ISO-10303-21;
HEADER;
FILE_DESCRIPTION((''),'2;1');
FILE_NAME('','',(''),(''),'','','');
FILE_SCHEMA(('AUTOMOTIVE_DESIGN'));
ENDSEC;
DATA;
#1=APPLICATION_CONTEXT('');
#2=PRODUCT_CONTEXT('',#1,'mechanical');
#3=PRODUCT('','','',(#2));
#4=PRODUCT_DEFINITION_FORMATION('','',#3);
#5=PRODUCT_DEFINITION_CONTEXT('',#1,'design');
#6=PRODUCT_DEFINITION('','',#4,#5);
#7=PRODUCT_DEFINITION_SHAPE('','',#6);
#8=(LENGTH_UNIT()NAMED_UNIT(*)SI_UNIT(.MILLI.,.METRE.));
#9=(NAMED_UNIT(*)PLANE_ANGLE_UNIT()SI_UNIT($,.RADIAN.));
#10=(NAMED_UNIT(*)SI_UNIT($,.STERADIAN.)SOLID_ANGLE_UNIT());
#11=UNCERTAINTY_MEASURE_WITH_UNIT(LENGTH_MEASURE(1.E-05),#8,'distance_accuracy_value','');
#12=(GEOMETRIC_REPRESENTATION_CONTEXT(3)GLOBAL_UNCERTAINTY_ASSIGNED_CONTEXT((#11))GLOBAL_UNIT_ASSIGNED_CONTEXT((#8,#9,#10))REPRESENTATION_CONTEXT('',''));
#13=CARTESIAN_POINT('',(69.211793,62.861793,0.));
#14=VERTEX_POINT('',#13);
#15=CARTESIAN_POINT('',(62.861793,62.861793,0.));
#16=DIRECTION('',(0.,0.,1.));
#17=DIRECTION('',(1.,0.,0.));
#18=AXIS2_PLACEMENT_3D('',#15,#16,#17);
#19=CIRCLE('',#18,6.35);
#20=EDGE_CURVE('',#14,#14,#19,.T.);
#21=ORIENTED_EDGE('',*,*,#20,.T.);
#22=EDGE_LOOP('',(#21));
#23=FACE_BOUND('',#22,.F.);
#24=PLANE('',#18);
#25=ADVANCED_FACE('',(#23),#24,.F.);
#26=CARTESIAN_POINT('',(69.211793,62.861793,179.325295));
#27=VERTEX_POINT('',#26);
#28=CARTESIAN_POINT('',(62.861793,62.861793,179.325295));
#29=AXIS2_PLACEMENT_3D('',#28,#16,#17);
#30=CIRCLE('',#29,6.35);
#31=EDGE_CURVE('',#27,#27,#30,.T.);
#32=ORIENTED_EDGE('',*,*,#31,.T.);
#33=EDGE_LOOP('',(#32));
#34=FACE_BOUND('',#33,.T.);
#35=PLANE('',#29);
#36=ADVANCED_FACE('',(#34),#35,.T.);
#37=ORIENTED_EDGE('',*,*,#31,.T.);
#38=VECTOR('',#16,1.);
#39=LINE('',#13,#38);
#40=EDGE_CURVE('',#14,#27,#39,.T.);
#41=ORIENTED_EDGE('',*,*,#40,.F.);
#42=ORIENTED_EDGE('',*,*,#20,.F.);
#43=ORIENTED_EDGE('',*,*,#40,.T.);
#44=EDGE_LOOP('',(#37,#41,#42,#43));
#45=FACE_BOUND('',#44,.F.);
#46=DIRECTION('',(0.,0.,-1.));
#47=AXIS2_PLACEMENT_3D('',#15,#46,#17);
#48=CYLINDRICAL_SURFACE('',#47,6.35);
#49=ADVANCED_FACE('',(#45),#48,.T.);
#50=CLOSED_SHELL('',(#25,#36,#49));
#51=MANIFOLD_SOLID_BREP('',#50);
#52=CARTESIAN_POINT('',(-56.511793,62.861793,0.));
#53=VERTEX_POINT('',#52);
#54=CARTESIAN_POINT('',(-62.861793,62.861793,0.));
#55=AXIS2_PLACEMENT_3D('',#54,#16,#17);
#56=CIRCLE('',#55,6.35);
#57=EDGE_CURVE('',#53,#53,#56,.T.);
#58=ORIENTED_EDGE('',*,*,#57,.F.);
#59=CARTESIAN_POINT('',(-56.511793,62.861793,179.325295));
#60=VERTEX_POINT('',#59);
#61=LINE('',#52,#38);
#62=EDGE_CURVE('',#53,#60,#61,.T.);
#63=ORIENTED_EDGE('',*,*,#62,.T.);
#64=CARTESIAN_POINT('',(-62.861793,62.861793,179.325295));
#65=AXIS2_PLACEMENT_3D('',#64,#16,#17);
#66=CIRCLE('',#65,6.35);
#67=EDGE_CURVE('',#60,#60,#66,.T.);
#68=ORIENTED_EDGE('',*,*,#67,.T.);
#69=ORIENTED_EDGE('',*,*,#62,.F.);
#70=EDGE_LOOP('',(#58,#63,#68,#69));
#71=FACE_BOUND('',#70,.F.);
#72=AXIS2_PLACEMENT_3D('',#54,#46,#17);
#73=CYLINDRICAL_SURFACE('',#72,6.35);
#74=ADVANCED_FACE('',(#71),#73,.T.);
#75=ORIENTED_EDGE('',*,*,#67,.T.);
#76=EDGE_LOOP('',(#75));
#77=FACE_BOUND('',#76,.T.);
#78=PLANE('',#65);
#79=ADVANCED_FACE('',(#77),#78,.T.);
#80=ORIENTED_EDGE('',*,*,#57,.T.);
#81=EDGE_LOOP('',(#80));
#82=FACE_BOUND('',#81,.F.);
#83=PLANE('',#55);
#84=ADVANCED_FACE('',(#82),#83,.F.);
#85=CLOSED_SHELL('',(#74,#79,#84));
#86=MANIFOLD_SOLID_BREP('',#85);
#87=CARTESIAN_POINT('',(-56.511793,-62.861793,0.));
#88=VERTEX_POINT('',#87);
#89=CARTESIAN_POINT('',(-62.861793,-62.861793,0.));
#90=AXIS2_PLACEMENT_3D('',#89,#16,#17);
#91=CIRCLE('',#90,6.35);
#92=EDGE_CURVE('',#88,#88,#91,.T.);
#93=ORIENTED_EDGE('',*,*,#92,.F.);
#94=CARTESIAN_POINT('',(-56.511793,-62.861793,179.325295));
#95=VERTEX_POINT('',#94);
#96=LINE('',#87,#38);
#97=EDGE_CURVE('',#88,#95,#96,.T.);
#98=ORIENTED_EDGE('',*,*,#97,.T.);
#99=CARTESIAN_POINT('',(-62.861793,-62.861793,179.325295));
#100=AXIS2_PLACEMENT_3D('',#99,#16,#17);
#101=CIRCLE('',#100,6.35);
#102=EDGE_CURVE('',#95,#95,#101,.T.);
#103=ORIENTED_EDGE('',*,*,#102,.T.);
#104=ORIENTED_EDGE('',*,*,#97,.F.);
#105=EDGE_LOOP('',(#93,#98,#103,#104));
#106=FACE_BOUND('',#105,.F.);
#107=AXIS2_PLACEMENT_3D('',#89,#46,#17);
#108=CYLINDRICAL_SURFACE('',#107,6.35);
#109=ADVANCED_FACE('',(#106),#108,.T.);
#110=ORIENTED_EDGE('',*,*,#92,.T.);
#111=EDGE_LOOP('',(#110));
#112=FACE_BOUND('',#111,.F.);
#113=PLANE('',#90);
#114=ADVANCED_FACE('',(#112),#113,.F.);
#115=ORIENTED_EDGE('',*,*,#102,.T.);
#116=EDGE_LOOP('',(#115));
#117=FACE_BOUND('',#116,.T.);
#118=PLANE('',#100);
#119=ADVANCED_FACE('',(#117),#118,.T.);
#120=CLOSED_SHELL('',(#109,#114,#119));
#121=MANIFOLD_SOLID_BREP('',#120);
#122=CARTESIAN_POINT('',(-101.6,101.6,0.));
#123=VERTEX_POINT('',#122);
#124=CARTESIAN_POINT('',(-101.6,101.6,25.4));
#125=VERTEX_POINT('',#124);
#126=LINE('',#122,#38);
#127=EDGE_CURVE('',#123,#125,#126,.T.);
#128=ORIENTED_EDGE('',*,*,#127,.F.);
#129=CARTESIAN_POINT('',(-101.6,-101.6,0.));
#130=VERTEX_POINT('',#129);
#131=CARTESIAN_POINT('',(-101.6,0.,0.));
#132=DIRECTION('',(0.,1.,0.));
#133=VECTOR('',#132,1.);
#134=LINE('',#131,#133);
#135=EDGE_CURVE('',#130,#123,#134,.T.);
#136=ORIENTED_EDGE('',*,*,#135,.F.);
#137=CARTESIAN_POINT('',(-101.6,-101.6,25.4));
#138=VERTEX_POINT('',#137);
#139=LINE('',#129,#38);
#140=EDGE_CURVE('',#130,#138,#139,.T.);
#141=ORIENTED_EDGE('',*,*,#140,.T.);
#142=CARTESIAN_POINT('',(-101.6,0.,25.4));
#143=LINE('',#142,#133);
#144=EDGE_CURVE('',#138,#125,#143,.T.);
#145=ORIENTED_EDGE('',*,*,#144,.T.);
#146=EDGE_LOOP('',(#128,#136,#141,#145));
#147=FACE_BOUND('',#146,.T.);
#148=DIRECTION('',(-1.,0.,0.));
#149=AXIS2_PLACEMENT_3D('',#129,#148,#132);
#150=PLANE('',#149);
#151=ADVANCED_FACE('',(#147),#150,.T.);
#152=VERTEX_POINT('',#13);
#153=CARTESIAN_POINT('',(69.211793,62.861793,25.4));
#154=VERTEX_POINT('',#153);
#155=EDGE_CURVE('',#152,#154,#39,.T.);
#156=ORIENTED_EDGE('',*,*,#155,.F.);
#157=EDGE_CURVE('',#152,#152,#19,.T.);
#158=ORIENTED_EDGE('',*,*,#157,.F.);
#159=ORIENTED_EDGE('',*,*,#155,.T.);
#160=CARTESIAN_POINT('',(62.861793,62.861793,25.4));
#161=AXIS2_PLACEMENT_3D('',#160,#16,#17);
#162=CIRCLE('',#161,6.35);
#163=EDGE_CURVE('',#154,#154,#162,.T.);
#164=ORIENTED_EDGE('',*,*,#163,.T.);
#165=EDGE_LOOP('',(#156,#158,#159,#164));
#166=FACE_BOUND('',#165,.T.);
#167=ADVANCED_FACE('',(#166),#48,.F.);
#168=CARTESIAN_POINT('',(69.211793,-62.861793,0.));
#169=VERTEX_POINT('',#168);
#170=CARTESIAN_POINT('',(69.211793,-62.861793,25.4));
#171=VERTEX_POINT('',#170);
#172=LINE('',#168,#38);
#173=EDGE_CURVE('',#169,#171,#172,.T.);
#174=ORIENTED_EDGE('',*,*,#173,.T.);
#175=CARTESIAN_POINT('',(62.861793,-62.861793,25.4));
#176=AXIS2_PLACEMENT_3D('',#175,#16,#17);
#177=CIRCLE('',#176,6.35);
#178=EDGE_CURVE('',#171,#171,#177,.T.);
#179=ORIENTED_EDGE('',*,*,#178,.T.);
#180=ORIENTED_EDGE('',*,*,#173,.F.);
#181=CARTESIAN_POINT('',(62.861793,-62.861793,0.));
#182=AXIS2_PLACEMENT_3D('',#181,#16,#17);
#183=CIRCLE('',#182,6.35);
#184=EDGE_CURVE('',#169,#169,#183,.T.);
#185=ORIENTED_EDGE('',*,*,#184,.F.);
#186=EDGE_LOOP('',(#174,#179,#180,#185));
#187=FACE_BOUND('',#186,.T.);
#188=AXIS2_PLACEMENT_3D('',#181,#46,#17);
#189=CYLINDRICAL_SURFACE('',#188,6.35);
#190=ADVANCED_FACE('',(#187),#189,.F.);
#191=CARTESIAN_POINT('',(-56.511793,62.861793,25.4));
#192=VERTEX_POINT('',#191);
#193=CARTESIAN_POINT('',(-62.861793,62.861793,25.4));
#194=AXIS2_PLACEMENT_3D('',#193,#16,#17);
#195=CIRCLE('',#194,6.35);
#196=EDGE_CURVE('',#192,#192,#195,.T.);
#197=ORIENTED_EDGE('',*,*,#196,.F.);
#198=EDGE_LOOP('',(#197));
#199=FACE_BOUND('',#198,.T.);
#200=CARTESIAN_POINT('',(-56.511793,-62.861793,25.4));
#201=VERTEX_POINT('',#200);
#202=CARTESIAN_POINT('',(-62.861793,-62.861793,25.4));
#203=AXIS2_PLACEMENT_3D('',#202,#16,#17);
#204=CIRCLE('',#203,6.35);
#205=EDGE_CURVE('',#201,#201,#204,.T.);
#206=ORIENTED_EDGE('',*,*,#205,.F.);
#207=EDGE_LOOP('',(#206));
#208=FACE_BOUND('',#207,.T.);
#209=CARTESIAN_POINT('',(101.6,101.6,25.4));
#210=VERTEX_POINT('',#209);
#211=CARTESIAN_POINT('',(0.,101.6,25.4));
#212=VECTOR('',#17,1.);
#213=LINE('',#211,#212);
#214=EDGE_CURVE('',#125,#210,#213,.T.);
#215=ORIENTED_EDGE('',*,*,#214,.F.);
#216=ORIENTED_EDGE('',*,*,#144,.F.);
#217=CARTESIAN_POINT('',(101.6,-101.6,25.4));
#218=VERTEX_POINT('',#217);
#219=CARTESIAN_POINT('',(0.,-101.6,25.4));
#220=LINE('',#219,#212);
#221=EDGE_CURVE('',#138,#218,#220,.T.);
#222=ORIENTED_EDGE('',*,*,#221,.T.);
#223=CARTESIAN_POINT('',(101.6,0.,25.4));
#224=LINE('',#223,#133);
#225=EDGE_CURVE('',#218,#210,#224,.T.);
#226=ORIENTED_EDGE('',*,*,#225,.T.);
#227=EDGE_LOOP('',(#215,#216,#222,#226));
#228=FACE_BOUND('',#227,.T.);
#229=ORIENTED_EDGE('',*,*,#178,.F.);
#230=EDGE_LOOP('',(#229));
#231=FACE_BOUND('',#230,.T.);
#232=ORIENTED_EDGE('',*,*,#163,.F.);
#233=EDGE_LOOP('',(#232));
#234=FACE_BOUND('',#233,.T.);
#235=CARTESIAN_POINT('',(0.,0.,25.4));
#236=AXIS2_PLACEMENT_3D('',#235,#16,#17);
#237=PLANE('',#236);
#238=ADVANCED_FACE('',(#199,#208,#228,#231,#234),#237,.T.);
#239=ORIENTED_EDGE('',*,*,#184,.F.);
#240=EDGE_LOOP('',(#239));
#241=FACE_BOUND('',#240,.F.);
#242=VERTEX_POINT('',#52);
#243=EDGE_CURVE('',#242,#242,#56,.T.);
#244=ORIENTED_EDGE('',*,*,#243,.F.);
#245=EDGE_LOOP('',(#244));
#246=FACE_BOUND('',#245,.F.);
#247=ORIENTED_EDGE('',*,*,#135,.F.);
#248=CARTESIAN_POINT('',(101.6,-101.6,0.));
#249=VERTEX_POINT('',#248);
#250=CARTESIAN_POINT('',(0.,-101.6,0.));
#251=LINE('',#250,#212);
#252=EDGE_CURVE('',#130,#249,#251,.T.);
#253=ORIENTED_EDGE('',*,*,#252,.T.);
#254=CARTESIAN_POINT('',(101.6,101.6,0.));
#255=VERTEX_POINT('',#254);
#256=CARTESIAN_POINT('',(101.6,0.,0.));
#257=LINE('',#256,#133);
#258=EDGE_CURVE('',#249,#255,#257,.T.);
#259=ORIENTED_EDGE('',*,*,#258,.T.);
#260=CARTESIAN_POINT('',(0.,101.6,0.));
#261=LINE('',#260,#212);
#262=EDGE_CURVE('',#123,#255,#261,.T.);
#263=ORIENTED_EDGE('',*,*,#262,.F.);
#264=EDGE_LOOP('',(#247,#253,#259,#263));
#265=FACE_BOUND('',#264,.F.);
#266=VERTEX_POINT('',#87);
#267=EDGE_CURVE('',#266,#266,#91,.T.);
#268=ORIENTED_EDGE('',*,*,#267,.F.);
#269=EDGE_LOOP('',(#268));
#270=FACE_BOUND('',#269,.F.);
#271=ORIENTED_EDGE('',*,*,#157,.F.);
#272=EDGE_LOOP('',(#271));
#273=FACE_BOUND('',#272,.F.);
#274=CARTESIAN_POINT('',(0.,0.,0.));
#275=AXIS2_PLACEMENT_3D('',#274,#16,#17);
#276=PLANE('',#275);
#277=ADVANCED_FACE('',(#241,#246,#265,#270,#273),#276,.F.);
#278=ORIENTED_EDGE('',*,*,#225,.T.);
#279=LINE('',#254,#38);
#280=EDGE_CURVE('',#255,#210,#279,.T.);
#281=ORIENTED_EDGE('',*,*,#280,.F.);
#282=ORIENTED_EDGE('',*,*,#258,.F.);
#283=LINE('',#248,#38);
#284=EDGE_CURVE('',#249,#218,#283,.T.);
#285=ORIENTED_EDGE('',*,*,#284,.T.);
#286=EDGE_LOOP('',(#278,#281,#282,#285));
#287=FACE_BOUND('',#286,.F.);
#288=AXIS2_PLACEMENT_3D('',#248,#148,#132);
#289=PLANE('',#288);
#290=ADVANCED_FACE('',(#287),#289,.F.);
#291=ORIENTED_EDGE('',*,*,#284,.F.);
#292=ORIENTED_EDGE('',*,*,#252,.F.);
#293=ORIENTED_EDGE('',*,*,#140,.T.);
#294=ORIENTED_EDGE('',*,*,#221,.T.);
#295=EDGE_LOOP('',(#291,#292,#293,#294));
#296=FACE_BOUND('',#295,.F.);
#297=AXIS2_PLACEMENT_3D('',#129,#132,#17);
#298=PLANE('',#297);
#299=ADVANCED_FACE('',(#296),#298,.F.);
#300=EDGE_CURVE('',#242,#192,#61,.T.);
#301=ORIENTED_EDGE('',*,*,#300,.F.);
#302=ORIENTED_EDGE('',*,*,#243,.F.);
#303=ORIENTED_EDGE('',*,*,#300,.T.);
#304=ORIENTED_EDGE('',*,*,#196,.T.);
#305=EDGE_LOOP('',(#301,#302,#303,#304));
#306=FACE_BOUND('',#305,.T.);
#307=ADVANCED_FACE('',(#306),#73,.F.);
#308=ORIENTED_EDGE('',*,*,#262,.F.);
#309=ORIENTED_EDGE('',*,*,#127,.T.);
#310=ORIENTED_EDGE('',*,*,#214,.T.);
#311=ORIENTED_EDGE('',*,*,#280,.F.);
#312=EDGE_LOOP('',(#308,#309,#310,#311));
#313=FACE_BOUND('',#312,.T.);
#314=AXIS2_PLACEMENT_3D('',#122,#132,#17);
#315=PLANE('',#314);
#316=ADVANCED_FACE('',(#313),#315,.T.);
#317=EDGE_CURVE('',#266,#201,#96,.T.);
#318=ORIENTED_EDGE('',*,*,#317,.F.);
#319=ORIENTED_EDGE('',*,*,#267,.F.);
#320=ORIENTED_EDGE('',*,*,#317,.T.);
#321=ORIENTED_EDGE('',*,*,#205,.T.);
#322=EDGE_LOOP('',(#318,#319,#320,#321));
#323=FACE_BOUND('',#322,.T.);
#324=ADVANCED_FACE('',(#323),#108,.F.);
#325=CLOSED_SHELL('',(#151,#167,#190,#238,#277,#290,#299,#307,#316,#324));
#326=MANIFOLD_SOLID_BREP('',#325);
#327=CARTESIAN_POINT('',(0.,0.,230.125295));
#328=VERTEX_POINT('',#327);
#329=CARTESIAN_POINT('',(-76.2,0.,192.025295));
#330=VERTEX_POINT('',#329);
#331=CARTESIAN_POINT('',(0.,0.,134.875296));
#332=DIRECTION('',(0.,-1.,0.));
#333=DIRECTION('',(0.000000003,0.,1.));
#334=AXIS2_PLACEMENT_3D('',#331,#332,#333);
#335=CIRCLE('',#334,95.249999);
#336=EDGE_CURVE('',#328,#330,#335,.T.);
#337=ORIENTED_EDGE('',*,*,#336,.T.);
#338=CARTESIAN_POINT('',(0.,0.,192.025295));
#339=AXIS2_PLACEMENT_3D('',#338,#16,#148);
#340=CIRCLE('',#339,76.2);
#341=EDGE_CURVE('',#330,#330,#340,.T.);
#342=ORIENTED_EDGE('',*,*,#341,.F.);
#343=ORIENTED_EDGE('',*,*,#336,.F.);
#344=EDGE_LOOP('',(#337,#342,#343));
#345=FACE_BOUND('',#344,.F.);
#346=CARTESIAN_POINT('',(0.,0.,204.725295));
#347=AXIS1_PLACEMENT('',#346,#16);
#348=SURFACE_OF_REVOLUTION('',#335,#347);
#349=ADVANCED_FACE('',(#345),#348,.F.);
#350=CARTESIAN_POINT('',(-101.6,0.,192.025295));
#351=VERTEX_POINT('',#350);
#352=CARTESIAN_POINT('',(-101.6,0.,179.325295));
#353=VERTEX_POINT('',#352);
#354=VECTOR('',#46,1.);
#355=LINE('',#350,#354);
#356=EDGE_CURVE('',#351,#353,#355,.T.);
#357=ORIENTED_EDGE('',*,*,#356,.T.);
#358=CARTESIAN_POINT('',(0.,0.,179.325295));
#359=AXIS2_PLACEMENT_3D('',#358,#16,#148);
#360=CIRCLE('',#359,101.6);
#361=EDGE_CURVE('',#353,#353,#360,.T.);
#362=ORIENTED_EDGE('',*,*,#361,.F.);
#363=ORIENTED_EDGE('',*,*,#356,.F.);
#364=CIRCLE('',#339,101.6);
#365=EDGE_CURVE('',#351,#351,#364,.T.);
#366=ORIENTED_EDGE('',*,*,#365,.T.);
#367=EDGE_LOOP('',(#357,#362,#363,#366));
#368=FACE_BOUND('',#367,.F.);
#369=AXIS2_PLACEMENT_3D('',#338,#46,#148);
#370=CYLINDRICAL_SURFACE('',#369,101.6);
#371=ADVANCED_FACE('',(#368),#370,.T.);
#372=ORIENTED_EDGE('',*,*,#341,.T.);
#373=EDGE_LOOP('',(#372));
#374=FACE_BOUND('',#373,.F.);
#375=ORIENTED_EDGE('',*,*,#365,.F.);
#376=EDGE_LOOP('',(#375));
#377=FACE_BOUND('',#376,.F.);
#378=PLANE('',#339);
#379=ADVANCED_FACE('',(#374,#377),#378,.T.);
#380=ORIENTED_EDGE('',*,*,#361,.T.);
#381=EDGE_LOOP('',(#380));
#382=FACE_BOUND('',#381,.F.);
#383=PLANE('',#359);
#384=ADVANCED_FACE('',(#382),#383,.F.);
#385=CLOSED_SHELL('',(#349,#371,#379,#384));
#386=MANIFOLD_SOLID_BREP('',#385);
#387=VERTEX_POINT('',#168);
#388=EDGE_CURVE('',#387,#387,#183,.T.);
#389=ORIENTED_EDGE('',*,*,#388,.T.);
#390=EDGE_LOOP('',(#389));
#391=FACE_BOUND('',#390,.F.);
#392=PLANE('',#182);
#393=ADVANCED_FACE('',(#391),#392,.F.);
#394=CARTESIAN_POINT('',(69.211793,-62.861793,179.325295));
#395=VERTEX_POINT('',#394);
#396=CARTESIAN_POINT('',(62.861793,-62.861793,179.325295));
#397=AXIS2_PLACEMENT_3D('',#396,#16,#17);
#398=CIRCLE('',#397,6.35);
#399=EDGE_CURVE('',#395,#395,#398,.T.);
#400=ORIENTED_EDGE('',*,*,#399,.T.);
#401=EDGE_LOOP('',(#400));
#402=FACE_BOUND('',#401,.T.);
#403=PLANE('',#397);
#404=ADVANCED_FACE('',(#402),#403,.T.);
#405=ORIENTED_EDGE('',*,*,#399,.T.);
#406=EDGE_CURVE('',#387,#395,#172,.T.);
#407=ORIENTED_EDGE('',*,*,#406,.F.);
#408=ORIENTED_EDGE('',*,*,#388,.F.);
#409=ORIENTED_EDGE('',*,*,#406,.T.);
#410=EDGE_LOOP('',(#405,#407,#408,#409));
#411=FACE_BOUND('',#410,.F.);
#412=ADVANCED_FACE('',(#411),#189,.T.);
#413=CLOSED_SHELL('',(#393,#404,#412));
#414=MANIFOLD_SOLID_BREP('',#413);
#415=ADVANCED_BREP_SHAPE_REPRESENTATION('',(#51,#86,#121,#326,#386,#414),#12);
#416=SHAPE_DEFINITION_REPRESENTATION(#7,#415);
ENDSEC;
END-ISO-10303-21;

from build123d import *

# Parameters (mm, degrees)
F0_W     = 203.2
F0_H     = 203.2
F0_R     = 6.35
F1_DEPTH = 25.4
F4_DEPTH = 179.325295


with BuildPart() as f1:
    # F0 (on Top) → F1 (new body)
    with BuildSketch(Plane.XY):
        Rectangle(F0_W, F0_H)
        with Locations((-62.861793, -62.861793)):
            Circle(F0_R, mode=Mode.SUBTRACT)
        with Locations((62.861793, -62.861793)):
            Circle(F0_R, mode=Mode.SUBTRACT)
        with Locations((-62.861793, 62.861793)):
            Circle(F0_R, mode=Mode.SUBTRACT)
        with Locations((62.861793, 62.861793)):
            Circle(F0_R, mode=Mode.SUBTRACT)
    extrude(amount=F1_DEPTH)


with BuildPart() as f3:
    # F2 (on Front) → F3 (revolve)
    with BuildSketch(Plane.XZ):
        with BuildLine():
            Line((-101.6, 179.325295), (0, 179.325295))
            Line((0, 179.325295), (0, 230.125295))
            ThreePointArc((0, 230.125295), (-42.597095, 220.069485), (-76.2, 192.025295))
            Line((-76.2, 192.025295), (-101.6, 192.025295))
            Line((-101.6, 192.025295), (-101.6, 179.325295))
        make_face()
    revolve(axis=Axis((0, 0, 204.725295), (0, 0, 1)))


with BuildPart() as f4:
    # F0 (on Top) → F4 (new body, through all)
    with BuildSketch(Plane.XY):
        with Locations((62.861793, -62.861793)):
            Circle(F0_R)
        with Locations((62.861793, 62.861793)):
            Circle(F0_R)
        with Locations((-62.861793, 62.861793)):
            Circle(F0_R)
        with Locations((-62.861793, -62.861793)):
            Circle(F0_R)
    extrude(amount=F4_DEPTH)


solid = Compound([f1.part, f3.part, f4.part])
